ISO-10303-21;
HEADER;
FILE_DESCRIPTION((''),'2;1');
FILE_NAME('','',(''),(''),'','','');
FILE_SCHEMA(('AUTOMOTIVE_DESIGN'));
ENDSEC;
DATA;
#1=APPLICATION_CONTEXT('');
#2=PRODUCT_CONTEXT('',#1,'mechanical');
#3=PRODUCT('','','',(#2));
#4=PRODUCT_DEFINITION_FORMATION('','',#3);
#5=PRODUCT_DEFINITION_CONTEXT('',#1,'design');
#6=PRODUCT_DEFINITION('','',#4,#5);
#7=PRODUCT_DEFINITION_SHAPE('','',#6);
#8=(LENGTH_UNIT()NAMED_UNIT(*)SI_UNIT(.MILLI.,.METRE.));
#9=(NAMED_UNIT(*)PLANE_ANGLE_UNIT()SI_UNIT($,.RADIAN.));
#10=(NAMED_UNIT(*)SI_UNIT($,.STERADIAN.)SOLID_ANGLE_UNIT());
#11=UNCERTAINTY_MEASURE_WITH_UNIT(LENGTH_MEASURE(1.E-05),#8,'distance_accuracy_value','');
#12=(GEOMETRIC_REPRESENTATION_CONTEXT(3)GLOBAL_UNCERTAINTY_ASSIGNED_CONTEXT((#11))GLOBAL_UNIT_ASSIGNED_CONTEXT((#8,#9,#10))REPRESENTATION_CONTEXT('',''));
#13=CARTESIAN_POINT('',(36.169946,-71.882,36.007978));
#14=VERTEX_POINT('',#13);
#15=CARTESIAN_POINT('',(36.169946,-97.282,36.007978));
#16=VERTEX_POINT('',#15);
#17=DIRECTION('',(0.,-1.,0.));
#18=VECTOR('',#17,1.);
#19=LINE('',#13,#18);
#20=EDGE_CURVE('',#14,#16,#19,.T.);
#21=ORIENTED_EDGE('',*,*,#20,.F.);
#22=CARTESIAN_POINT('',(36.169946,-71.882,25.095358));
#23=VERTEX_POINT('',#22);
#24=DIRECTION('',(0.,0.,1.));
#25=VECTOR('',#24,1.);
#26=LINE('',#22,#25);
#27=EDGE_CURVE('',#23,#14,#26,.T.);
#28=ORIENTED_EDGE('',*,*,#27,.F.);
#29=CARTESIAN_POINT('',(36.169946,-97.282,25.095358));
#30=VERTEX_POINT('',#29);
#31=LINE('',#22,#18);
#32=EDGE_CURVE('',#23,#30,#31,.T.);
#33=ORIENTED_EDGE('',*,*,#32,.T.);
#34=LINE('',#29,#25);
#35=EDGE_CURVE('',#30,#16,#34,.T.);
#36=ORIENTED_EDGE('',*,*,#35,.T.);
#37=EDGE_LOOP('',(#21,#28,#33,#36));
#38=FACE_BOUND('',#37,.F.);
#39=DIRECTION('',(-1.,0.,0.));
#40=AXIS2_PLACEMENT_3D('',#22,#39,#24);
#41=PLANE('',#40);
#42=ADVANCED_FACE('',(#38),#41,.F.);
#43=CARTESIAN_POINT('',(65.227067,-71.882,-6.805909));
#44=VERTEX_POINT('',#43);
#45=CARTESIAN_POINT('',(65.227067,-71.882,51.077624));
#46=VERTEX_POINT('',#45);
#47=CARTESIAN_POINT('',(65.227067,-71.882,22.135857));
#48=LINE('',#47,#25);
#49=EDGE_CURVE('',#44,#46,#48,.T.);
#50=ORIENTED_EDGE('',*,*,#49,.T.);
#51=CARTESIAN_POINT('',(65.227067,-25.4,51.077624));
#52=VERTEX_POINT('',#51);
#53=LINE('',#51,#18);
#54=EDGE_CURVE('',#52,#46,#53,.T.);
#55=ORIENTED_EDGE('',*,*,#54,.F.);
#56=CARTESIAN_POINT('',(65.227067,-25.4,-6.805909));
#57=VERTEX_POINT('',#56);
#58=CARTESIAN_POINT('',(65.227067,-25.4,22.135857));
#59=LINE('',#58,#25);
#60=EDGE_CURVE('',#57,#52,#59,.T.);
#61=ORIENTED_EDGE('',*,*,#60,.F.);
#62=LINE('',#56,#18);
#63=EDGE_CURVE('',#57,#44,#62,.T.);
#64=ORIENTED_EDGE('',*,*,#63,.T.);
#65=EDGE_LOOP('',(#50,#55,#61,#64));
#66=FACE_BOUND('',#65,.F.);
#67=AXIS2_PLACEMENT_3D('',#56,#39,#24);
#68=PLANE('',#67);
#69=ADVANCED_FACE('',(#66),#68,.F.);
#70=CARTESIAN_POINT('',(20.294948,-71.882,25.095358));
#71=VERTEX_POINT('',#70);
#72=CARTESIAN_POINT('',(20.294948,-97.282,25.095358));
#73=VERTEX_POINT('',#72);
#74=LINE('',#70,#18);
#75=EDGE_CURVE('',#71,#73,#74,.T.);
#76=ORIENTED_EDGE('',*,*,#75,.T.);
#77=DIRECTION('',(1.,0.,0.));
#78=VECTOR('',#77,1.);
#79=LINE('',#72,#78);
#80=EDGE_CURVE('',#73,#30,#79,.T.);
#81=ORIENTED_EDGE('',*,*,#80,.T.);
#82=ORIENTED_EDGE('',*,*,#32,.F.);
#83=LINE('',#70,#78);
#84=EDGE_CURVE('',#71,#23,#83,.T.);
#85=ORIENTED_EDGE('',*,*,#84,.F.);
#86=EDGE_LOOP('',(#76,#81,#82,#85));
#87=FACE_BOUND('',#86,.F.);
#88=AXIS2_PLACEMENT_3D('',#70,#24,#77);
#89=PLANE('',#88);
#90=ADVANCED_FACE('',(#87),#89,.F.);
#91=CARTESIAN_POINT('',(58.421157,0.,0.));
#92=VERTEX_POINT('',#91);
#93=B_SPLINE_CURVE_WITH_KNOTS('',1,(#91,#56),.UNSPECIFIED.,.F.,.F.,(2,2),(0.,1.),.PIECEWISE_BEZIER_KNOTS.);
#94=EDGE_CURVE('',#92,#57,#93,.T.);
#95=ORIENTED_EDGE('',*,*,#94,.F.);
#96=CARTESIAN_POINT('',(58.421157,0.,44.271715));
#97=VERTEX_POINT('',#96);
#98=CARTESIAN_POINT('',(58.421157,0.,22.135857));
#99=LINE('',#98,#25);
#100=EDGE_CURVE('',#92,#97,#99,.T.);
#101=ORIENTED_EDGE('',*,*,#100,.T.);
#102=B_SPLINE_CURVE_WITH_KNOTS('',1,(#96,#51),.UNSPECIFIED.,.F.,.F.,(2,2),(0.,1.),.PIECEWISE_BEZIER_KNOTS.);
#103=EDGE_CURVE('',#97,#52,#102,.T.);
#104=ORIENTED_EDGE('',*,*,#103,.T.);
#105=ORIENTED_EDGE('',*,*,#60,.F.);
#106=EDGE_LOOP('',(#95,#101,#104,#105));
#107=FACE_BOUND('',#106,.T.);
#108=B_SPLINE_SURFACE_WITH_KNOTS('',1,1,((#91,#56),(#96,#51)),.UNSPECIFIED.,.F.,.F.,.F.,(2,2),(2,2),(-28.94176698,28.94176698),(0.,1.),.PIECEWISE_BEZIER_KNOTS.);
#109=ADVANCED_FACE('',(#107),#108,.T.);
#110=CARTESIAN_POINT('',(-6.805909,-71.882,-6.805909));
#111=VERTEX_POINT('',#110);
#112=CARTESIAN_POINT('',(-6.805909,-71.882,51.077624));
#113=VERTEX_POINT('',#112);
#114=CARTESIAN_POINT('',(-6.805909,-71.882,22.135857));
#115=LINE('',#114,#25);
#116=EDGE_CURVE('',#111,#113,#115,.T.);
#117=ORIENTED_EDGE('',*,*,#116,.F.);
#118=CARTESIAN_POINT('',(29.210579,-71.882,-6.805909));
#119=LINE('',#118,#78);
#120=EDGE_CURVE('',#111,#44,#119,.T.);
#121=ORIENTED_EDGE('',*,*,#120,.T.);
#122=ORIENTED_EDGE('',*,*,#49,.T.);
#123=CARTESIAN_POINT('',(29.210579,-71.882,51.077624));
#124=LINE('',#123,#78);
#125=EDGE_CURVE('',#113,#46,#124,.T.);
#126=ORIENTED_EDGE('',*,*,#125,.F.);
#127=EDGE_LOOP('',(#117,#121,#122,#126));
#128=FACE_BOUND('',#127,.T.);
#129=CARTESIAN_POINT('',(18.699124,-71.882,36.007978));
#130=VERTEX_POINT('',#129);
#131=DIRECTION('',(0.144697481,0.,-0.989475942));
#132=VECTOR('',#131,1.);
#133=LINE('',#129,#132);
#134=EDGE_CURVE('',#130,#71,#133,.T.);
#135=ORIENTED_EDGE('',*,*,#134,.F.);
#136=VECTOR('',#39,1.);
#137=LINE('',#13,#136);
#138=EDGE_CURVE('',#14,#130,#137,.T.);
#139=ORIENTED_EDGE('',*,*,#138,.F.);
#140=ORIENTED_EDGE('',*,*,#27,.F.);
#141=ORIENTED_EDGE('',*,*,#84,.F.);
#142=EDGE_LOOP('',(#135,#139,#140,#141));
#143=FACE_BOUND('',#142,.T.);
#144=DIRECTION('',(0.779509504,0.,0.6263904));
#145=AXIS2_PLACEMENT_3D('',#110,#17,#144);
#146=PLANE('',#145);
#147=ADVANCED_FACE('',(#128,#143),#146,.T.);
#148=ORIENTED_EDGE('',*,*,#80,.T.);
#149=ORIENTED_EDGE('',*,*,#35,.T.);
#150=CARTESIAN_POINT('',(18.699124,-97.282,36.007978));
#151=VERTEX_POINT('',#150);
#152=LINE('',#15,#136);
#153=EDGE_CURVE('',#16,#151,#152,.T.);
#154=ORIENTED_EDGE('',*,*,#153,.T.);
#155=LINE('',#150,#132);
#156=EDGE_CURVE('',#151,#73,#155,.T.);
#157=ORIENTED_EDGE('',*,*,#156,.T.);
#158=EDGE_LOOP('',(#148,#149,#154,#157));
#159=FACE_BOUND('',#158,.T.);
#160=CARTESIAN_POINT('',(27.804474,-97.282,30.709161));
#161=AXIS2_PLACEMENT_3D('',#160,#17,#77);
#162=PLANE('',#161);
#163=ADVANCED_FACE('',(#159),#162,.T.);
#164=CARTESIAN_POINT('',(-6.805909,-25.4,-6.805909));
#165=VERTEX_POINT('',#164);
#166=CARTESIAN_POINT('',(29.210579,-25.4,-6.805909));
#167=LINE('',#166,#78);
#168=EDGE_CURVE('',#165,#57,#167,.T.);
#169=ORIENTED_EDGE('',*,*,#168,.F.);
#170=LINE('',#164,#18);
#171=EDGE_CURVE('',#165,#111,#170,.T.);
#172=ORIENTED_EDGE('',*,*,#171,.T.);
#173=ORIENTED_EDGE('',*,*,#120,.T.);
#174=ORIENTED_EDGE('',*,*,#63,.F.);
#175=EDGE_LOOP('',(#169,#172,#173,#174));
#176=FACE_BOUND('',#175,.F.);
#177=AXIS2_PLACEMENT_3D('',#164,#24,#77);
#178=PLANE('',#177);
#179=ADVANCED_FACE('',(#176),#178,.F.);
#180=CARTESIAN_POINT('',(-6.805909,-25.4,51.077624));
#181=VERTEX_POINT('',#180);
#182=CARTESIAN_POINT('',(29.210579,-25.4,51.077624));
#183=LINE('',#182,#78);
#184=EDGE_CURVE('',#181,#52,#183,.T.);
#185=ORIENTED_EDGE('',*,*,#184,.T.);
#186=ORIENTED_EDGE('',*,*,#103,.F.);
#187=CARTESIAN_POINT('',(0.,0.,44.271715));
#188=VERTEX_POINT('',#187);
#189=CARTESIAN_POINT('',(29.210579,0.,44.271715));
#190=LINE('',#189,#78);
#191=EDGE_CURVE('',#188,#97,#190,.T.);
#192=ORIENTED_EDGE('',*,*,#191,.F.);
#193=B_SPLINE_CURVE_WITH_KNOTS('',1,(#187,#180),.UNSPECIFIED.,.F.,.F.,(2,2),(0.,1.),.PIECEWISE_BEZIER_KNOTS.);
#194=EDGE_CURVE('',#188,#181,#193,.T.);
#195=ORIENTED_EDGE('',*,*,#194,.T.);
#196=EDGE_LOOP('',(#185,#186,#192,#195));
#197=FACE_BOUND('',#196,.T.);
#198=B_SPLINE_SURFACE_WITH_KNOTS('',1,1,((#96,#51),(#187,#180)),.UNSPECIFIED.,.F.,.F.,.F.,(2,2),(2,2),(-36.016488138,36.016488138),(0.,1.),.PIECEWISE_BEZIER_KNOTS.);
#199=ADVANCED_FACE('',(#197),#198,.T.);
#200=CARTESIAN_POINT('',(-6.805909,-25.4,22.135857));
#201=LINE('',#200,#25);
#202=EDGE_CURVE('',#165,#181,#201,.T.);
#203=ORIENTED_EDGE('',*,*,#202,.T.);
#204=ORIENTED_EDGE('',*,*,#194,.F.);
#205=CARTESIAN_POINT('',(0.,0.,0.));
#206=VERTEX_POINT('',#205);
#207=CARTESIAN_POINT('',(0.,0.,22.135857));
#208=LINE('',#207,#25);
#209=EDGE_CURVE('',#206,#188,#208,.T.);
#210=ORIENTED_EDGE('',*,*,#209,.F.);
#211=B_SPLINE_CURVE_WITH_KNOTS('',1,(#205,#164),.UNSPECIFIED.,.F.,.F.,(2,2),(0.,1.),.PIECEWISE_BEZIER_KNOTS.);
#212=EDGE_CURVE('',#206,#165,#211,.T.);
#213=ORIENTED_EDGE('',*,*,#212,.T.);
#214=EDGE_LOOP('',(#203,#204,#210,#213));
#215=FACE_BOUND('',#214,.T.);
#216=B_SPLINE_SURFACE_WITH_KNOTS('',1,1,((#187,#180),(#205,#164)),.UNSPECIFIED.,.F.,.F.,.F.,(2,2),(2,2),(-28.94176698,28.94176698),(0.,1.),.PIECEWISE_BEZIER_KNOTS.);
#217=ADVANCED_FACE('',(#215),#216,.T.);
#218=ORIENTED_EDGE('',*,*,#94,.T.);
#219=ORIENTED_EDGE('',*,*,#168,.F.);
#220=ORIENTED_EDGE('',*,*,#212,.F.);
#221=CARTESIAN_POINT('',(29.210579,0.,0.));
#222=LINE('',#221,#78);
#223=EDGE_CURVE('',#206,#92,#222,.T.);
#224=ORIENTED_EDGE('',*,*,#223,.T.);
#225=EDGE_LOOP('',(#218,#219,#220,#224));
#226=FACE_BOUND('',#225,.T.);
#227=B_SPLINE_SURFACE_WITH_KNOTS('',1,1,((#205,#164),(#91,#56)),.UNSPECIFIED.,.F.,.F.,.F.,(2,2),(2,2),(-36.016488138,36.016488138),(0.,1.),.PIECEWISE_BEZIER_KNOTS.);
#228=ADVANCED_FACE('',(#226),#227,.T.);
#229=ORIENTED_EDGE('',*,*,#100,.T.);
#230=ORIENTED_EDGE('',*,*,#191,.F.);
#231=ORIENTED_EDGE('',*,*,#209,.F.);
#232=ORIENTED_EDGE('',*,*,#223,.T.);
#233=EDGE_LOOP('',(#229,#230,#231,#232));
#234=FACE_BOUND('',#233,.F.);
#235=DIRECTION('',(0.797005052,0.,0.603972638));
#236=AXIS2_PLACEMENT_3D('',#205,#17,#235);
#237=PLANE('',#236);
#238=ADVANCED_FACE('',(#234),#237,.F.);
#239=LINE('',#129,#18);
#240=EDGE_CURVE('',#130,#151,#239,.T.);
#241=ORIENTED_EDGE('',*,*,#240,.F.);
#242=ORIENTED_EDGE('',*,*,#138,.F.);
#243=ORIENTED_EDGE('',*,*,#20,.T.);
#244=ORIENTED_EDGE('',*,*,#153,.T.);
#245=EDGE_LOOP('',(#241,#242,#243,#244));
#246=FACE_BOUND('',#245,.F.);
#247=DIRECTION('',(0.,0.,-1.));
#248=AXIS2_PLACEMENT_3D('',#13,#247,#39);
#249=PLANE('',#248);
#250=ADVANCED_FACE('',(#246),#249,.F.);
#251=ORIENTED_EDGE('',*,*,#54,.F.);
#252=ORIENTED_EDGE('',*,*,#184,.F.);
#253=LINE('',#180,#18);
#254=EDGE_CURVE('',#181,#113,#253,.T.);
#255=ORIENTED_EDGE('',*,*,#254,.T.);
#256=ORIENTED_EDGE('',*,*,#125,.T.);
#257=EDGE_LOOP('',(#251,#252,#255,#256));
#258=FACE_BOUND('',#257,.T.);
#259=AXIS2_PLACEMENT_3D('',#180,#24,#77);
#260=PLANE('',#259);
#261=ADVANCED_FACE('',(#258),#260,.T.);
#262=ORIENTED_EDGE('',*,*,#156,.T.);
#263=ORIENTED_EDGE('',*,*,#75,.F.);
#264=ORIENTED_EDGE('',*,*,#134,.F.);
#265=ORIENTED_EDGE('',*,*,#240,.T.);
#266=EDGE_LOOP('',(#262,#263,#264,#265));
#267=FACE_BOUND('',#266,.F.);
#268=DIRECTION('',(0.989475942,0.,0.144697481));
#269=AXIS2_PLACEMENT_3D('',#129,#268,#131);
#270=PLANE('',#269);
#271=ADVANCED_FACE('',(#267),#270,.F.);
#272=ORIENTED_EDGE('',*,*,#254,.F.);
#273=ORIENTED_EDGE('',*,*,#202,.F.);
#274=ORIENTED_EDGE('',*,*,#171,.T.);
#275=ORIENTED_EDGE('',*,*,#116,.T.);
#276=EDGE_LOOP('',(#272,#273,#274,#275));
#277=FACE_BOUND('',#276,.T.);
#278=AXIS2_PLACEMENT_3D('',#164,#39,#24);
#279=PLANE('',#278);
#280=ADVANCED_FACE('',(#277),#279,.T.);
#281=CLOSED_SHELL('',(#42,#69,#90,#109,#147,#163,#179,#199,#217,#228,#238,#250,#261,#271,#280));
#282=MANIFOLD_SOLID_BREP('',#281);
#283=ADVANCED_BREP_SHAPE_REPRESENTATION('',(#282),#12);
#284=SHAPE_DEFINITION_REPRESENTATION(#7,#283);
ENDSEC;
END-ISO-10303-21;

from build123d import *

# Parameters (mm, degrees)
F0_W     = 58.4211573005
F0_H     = 44.2717149854
F1_DEPTH = 25.4
F1_TAPER = -15
F2_DEPTH = 46.482
F4_DEPTH = 25.4


with BuildPart() as f1:
    # F0 (on Front) → F1 (new body)
    with BuildSketch(Plane.XZ):
        with Locations((29.2105786502, 22.1358574927)):
            Rectangle(F0_W, F0_H)
    extrude(amount=F1_DEPTH, taper=F1_TAPER)

    # F2 (add): a face of the model
    f2_faces = [f1.faces().sort_by_distance(p)[0] for p in [
        (29.2105786502, -25.4, 22.1358574927),
    ]]
    extrude(f2_faces, amount=F2_DEPTH)

    # F3 (on face) → F4 (join)
    with BuildSketch(Plane.XZ.offset(71.882)):
        Polygon((18.6991244555, 36.0079780221), (20.2949475497, 25.0953584909), (36.1699461937, 25.0953584909), (36.1699461937, 36.0079780221), align=None)
    extrude(amount=F4_DEPTH)


solid = f1.part
